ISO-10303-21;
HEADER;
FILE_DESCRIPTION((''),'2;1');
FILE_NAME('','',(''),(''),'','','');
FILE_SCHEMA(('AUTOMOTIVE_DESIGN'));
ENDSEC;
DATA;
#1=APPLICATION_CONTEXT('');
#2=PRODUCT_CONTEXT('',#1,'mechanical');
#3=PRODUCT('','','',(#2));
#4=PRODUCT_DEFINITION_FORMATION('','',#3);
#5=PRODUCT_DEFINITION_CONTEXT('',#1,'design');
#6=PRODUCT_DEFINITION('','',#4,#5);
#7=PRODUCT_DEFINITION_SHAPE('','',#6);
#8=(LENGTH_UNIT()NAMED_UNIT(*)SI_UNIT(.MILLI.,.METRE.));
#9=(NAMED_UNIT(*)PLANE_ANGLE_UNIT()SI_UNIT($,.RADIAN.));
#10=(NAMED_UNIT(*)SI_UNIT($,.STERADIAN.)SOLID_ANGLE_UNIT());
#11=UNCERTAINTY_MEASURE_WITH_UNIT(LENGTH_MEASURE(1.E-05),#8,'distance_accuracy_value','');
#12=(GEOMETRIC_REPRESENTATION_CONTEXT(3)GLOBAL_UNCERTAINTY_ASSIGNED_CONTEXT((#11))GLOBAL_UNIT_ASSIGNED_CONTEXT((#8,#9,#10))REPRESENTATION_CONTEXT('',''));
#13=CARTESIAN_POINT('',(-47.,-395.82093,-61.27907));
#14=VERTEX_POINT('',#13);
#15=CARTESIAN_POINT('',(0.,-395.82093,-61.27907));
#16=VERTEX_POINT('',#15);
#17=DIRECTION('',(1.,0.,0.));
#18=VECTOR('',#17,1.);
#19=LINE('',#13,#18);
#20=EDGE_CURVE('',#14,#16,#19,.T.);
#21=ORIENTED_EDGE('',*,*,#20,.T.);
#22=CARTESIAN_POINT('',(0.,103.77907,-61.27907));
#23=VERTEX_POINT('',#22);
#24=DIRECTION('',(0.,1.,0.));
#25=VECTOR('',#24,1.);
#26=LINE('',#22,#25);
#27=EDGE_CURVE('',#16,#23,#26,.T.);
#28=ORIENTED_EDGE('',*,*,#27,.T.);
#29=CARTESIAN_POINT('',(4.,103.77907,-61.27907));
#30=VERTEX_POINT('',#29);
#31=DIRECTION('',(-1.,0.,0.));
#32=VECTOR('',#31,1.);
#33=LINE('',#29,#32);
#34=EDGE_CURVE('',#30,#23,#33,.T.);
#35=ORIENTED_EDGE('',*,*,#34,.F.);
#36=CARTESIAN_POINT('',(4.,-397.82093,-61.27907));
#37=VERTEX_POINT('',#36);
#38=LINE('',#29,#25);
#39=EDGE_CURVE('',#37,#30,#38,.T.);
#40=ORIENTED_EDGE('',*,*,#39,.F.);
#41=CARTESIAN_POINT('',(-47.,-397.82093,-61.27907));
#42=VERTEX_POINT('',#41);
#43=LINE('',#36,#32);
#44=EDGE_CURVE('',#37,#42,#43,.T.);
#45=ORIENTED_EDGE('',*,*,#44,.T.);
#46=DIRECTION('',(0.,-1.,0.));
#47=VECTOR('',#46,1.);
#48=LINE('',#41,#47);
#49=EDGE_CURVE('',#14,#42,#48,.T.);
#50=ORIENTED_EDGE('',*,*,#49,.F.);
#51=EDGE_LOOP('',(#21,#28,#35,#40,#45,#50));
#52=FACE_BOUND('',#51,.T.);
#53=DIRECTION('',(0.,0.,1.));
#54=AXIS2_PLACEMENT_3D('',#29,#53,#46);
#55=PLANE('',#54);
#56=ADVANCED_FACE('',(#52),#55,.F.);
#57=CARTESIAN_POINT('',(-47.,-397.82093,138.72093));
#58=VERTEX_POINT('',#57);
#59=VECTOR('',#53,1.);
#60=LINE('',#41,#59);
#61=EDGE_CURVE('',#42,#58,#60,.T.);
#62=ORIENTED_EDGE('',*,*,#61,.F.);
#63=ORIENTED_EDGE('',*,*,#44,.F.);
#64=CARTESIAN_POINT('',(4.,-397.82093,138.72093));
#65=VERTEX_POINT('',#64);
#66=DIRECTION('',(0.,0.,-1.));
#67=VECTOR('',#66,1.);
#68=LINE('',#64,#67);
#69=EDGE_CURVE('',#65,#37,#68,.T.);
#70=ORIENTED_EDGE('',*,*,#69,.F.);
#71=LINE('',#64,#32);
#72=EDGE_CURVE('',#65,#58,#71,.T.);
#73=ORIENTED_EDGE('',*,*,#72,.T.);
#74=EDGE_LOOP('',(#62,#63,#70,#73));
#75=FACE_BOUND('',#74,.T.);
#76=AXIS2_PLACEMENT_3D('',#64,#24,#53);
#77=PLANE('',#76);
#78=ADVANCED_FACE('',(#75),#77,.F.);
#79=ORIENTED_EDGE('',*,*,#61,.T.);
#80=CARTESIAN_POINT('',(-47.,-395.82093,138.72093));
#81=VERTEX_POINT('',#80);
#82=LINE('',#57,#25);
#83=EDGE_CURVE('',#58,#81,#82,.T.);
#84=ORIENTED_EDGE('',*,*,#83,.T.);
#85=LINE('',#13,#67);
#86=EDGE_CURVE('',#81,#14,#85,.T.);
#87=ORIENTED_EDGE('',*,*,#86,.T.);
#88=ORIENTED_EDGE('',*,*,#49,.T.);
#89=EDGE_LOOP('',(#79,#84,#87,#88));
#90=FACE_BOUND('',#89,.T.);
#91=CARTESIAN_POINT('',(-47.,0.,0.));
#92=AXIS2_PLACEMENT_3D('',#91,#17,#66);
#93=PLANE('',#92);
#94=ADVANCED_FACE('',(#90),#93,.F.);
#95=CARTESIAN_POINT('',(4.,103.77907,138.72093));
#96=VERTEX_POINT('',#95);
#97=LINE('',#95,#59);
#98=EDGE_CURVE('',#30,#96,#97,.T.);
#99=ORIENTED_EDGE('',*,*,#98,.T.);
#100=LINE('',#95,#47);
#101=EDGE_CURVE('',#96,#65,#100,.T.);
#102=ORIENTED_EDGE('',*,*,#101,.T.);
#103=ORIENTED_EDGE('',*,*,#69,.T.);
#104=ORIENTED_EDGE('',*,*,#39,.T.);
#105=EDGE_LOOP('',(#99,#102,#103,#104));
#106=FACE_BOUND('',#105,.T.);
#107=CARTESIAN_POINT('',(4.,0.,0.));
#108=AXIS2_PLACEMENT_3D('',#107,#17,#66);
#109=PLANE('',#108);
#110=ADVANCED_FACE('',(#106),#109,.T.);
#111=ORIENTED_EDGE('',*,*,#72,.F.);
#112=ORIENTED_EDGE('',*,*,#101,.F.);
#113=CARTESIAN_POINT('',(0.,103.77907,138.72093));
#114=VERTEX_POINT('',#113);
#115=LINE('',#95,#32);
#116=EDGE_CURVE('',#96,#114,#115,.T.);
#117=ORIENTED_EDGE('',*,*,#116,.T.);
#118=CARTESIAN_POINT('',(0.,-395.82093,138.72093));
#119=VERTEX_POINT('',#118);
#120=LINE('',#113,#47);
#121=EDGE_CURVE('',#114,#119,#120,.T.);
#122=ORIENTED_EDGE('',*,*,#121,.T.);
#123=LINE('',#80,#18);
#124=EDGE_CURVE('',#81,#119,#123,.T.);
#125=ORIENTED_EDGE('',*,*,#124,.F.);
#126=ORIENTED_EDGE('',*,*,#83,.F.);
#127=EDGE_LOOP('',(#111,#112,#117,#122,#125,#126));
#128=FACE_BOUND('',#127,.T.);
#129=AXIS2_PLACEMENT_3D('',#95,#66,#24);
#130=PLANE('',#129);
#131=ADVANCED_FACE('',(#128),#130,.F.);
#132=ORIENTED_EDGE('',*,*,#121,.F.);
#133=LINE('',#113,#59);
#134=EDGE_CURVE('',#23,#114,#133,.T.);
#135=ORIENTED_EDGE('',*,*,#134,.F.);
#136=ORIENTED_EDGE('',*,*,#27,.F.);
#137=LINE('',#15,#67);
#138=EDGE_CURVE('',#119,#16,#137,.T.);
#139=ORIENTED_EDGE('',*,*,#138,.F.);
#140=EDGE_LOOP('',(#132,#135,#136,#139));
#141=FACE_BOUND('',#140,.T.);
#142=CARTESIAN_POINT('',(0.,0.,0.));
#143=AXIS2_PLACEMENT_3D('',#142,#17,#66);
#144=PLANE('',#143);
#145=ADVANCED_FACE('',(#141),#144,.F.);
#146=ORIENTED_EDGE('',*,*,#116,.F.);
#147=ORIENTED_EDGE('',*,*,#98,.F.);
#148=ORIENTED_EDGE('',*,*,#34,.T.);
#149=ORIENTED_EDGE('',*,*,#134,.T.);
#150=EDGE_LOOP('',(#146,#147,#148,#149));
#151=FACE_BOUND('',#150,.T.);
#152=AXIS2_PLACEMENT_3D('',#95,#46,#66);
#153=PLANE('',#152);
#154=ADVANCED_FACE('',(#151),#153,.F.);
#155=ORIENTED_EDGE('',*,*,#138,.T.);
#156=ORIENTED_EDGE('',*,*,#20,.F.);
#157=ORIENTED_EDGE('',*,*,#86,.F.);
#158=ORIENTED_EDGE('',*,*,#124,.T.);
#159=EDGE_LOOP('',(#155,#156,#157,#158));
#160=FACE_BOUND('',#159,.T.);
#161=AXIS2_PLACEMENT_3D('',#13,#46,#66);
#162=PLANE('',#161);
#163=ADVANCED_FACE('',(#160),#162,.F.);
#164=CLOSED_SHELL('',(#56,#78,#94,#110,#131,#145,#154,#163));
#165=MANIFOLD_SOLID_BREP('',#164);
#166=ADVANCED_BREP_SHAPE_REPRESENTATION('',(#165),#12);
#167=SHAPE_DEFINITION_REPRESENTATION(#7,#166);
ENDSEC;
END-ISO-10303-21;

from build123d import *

# Parameters (mm, degrees)
SKETCH1_W           = 200
SKETCH1_H           = 501.6
BOSS_EXTRUDE1_DEPTH = 4
SKETCH2_W           = 200
SKETCH2_H           = 2
BOSS_EXTRUDE2_DEPTH = 47


with BuildPart() as part:
    # Sketch1 → Boss-Extrude1 (new body)
    with BuildSketch(Plane(origin=(0, 0, 0), x_dir=(0, 0, -1), z_dir=(1, 0, 0))):
        with Locations((-38.720930233, -147.020930233)):
            Rectangle(SKETCH1_W, SKETCH1_H)
    extrude(amount=BOSS_EXTRUDE1_DEPTH)

    # Sketch2 → Boss-Extrude2 (add)
    with BuildSketch(Plane.ZY):
        with Locations((38.720930233, -396.820930233)):
            Rectangle(SKETCH2_W, SKETCH2_H)
    extrude(amount=BOSS_EXTRUDE2_DEPTH)


solid = part.part
